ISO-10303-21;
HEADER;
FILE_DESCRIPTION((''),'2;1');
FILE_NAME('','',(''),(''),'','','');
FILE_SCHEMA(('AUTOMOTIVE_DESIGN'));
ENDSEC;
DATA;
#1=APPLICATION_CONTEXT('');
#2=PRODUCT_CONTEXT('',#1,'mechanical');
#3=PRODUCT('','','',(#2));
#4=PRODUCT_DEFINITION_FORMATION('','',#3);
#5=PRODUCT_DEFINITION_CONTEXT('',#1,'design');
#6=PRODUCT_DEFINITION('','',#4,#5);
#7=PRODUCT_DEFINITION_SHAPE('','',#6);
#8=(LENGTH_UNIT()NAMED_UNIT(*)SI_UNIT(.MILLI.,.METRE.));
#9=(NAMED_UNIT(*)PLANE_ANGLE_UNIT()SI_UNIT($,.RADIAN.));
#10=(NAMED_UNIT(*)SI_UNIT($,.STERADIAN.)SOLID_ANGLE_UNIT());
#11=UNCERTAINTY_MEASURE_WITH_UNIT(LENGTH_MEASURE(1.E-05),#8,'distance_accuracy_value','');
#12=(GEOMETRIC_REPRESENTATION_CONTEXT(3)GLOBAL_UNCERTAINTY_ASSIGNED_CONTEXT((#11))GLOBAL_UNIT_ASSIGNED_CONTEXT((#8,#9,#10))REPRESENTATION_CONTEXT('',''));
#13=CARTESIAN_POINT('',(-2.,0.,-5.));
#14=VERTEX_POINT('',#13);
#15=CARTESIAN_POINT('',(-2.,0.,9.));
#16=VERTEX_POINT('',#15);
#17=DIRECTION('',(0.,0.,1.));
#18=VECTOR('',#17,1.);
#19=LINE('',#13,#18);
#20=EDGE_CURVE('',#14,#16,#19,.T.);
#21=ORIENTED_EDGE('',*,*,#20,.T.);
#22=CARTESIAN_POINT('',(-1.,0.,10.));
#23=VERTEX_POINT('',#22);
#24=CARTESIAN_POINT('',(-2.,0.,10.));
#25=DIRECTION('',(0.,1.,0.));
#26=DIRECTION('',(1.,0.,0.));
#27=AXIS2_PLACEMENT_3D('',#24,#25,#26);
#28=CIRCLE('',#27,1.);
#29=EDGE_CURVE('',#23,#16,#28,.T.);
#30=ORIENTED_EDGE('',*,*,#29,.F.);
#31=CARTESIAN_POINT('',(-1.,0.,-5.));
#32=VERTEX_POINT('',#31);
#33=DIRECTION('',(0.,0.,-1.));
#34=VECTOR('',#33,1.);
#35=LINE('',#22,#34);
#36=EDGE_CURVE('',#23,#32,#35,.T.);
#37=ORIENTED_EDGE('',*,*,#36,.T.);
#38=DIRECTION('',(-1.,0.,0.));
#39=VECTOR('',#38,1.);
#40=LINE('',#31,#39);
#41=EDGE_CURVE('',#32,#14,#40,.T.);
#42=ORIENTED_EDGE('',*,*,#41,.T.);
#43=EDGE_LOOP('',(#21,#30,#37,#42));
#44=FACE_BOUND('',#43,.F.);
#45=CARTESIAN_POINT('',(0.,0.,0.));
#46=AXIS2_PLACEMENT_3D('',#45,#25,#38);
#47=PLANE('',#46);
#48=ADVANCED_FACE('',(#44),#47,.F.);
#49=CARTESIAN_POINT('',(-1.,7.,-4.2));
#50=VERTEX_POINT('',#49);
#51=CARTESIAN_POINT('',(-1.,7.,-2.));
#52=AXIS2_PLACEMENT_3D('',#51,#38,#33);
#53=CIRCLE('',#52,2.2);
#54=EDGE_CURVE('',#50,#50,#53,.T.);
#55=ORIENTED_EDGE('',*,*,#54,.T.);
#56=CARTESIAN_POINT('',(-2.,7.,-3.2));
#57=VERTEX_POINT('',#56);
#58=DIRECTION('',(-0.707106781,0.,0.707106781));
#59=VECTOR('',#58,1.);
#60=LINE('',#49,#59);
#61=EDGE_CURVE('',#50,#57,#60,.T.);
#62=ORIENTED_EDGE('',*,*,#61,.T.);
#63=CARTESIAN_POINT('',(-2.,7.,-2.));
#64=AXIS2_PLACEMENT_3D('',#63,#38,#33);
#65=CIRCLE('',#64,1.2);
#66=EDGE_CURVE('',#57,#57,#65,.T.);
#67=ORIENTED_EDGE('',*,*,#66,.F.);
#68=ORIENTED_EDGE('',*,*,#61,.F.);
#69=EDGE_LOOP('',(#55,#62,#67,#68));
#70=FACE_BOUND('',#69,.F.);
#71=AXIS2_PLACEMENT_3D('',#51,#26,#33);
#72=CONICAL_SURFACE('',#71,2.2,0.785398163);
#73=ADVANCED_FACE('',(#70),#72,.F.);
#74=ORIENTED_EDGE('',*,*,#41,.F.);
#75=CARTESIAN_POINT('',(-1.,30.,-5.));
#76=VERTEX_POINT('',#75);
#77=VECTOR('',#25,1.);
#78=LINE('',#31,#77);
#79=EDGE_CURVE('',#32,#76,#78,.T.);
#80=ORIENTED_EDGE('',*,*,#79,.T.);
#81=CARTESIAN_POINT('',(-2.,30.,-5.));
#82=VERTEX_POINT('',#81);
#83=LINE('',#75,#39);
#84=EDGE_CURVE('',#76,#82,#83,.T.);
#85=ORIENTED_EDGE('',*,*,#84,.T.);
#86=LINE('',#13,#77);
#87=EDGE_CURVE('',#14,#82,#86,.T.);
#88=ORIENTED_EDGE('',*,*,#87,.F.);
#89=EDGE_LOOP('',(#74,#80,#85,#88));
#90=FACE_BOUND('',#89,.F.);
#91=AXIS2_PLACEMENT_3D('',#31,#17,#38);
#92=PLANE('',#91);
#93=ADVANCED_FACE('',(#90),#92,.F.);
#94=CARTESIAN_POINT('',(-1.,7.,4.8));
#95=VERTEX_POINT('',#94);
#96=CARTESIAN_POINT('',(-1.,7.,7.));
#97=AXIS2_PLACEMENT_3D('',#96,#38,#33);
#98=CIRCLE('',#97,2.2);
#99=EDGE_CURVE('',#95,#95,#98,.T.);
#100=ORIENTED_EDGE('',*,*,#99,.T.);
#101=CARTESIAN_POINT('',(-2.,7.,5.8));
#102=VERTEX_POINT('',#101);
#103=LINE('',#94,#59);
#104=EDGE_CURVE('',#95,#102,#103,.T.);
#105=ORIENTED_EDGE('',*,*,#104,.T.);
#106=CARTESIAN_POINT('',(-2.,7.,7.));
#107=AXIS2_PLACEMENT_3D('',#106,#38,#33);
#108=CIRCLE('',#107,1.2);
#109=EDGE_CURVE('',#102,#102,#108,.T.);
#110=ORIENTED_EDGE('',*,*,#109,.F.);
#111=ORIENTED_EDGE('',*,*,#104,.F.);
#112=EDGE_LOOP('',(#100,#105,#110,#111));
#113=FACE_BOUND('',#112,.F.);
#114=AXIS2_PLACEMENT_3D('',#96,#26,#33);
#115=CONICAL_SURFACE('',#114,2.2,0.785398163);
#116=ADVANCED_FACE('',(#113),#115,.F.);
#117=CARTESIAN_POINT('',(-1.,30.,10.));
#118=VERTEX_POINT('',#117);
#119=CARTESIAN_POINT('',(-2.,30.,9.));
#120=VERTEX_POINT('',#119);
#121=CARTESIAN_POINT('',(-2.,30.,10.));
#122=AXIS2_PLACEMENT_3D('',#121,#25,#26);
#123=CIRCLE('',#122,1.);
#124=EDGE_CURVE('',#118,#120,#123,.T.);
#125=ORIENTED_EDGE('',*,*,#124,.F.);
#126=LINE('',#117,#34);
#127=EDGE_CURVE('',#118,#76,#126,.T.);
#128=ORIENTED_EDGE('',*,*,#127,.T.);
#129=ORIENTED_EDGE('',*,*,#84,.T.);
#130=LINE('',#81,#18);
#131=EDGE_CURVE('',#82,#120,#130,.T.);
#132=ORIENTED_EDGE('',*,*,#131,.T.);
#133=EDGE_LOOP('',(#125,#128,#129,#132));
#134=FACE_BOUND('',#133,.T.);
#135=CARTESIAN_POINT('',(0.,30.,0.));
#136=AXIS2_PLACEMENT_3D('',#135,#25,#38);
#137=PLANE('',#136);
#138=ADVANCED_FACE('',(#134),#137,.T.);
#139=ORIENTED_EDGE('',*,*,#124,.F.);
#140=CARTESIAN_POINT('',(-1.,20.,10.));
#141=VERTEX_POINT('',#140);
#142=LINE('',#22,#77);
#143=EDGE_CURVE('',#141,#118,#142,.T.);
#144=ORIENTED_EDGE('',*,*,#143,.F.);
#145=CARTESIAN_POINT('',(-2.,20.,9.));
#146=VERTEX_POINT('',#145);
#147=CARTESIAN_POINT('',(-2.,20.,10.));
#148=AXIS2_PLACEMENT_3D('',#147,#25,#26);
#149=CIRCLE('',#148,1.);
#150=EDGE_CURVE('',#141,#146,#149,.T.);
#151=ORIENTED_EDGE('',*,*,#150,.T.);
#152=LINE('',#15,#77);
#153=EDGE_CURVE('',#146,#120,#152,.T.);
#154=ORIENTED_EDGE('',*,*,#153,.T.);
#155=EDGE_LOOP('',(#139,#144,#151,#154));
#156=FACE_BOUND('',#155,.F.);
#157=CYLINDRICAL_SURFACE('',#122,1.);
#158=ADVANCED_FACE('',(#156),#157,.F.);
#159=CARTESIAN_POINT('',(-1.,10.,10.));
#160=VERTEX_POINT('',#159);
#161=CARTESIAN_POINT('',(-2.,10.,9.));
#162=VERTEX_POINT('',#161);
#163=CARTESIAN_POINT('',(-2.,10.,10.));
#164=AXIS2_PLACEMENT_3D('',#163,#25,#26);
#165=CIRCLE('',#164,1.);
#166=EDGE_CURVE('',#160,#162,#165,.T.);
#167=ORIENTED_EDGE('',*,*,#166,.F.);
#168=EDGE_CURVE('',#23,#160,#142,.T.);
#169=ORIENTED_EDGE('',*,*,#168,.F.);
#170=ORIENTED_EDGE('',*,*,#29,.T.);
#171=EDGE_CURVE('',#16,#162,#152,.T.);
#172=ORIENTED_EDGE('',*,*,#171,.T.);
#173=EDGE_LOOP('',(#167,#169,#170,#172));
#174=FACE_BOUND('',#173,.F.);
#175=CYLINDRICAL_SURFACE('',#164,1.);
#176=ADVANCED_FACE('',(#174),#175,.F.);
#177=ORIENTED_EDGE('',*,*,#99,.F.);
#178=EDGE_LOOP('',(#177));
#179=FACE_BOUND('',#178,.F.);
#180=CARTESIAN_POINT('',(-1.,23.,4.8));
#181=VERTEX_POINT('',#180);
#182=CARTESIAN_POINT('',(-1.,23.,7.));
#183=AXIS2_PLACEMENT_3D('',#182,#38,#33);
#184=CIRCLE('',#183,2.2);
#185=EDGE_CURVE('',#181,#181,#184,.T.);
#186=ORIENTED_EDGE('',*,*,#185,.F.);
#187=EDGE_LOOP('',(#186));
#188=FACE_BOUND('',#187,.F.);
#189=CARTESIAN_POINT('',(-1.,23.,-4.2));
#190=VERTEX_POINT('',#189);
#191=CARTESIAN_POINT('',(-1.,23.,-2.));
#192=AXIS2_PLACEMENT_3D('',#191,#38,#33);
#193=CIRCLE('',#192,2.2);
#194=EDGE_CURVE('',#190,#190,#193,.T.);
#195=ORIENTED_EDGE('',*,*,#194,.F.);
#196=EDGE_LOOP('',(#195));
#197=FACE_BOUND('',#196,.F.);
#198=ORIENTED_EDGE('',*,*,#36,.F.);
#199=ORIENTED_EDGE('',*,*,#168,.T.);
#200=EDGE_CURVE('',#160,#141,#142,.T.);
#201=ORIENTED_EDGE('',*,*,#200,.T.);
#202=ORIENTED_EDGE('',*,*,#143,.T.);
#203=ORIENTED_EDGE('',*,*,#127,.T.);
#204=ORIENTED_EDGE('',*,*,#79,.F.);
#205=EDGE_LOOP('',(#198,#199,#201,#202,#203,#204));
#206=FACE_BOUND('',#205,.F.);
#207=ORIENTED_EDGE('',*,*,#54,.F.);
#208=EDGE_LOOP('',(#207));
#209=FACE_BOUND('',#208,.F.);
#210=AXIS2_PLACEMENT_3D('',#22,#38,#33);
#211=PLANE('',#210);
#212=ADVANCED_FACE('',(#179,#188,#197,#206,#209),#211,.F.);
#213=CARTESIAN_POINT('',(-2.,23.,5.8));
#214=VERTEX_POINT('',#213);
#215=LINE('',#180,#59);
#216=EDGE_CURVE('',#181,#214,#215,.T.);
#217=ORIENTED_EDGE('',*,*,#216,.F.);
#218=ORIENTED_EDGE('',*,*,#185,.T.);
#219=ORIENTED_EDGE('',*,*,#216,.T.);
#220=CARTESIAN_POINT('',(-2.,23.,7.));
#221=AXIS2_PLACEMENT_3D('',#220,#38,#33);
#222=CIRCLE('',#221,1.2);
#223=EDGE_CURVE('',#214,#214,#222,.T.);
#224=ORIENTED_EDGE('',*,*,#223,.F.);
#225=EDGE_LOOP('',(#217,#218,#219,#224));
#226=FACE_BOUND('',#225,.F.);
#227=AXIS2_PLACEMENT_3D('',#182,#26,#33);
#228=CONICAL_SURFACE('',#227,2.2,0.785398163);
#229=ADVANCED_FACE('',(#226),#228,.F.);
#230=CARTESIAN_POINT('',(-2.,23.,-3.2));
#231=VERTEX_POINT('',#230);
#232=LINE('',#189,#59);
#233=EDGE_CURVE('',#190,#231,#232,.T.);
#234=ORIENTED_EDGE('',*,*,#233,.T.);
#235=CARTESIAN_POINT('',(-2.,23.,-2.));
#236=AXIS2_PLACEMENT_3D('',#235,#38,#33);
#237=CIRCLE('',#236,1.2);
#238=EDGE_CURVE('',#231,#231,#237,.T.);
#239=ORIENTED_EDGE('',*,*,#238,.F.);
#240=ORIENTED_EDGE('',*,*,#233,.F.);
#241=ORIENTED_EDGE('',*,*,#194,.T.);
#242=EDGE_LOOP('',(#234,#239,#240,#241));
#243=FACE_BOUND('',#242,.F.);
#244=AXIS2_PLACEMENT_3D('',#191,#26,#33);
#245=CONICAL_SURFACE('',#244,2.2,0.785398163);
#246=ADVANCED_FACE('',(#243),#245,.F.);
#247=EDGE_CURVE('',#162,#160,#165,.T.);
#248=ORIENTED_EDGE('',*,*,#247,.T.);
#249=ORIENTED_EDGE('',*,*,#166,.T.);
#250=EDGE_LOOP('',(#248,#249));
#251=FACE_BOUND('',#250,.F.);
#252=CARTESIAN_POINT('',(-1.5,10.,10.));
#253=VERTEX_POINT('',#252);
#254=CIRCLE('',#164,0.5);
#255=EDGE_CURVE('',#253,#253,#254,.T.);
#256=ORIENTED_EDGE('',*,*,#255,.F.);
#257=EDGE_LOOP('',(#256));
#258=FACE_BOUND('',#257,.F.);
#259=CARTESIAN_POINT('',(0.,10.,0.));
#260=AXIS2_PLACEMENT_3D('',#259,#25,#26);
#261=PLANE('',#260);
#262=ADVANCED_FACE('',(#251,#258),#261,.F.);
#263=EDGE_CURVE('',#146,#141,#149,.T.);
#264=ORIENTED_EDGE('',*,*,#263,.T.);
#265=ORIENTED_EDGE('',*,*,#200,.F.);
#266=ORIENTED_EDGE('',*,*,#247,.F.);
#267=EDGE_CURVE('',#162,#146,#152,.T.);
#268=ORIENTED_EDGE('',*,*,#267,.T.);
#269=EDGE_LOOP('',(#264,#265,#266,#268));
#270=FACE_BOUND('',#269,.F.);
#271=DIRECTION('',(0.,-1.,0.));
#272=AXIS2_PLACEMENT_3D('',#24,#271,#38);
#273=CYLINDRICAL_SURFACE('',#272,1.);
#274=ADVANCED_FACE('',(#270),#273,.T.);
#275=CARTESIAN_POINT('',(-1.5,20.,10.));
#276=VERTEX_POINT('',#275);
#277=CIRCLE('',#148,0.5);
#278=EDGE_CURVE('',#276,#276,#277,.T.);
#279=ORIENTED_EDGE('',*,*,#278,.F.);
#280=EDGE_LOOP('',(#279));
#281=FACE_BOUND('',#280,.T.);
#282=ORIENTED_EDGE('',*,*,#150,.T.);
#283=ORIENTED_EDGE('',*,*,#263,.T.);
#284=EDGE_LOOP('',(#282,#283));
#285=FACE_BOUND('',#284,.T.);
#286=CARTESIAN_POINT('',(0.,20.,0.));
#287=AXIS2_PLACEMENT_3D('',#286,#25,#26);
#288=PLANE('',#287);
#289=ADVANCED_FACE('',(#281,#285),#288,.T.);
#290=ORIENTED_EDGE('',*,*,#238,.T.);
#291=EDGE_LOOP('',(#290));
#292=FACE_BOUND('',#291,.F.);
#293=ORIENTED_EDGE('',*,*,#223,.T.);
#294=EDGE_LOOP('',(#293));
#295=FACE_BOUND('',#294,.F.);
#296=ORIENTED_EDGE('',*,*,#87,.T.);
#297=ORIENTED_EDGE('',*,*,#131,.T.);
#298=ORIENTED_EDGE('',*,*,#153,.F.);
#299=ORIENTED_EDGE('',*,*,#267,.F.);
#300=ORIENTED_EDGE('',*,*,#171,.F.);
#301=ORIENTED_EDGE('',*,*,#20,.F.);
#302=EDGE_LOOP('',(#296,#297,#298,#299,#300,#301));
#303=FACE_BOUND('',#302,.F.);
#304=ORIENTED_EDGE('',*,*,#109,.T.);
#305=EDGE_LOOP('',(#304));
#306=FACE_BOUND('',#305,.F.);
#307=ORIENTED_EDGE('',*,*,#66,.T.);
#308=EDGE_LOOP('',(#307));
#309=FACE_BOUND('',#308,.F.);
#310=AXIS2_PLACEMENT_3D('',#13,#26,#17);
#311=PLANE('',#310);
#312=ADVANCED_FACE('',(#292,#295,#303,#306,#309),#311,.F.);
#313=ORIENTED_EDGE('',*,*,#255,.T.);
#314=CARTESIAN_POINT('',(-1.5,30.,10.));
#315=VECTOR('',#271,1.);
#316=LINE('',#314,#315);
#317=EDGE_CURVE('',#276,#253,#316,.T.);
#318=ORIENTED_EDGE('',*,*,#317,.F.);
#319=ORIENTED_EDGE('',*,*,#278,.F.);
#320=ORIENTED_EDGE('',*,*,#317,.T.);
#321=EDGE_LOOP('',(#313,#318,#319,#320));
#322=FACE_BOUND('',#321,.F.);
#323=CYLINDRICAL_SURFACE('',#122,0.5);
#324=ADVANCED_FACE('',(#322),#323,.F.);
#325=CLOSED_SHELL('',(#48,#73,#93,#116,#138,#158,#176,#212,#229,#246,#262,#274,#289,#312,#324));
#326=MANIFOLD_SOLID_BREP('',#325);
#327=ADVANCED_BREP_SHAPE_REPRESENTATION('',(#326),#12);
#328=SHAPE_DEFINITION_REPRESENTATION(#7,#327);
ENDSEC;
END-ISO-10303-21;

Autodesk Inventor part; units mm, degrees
ref_plane "YZ Plane" through (0, 0, 0) normal (1, 0, 0) x (0, 1, 0)
ref_plane "XZ Plane" through (0, 0, 0) normal (0, 1, 0) x (-1, 0, 0)
ref_plane "XY Plane" through (0, 0, 0) normal (0, 0, 1) x (1, 0, 0)
sketch "Szkic1" plane through (0, 0, 0) normal (0, 1, 0) x (-1, 0, 0)
  line L0 (2, 10) -> (1, 10)
  line L1 (1, 10) -> (1, -5)
  line L2 (1, -5) -> (2, -5)
  line L3 (2, -5) -> (2, 10)
  circle A0 centre (2, 10) radius 1
  point P0 (0, 0)
  point P1 (2, 9)
extrude "Wyciągnięcie proste1" add sketch "Szkic1" along normal blind 30
sketch "Szkic2" plane through (0, 30, 0) normal (0, 1, 0) x (1, 0, 0)
  circle A0 centre (-2, -10) radius 0.5
  point P0 (0, 0)
  dimension "d5" = 1
extrude "Wyciągnięcie proste2" cut sketch "Szkic2" against normal blind 30
sketch "Szkic3" plane through (0, 30, 0) normal (0, 1, 0) x (1, 0, 0)
  circle A0 centre (-2, -10) radius 0.5 projected
  circle A1 centre (-2, -10) radius 1
  point P0 (0, 0)
  dimension "d8" = 2
extrude "Wyciągnięcie proste3" cut sketch "Szkic3" against normal blind 10
pattern_linear "Szyk prostokątny1" count 2 spacing 20 along (0, -1, 0) of "Wyciągnięcie proste3"
sketch "Szkic9" plane through (-1, 0, -5) normal (1, 0, 0) x (0, 0, -1)
  point P0 (-3, 7)
hole "Otwór6" at (-1, 7, -2) direction (-1, 0, 0) diameter 2.4 end through all countersink diameter 4.4 countersink angle 90
sketch "Szkic10" plane through (-1, 0, -5) normal (1, 0, 0) x (0, 0, -1)
  point P0 (-12, 7)
hole "Otwór7" at (-1, 7, 7) direction (-1, 0, 0) diameter 2.4 end through all countersink diameter 4.4 countersink angle 90
sketch "Szkic11" plane through (-1, 0, -5) normal (1, 0, 0) x (0, 0, -1)
  point P0 (-12, 23)
hole "Otwór8" at (-1, 23, 7) direction (-1, 0, 0) diameter 2.4 end through all countersink diameter 4.4 countersink angle 90
sketch "Szkic12" plane through (-1, 0, -5) normal (1, 0, 0) x (0, 0, -1)
  point P0 (-3, 23)
hole "Otwór9" at (-1, 23, -2) direction (-1, 0, 0) diameter 2.4 end through all countersink diameter 4.4 countersink angle 90
properties part number "hinge 1"
